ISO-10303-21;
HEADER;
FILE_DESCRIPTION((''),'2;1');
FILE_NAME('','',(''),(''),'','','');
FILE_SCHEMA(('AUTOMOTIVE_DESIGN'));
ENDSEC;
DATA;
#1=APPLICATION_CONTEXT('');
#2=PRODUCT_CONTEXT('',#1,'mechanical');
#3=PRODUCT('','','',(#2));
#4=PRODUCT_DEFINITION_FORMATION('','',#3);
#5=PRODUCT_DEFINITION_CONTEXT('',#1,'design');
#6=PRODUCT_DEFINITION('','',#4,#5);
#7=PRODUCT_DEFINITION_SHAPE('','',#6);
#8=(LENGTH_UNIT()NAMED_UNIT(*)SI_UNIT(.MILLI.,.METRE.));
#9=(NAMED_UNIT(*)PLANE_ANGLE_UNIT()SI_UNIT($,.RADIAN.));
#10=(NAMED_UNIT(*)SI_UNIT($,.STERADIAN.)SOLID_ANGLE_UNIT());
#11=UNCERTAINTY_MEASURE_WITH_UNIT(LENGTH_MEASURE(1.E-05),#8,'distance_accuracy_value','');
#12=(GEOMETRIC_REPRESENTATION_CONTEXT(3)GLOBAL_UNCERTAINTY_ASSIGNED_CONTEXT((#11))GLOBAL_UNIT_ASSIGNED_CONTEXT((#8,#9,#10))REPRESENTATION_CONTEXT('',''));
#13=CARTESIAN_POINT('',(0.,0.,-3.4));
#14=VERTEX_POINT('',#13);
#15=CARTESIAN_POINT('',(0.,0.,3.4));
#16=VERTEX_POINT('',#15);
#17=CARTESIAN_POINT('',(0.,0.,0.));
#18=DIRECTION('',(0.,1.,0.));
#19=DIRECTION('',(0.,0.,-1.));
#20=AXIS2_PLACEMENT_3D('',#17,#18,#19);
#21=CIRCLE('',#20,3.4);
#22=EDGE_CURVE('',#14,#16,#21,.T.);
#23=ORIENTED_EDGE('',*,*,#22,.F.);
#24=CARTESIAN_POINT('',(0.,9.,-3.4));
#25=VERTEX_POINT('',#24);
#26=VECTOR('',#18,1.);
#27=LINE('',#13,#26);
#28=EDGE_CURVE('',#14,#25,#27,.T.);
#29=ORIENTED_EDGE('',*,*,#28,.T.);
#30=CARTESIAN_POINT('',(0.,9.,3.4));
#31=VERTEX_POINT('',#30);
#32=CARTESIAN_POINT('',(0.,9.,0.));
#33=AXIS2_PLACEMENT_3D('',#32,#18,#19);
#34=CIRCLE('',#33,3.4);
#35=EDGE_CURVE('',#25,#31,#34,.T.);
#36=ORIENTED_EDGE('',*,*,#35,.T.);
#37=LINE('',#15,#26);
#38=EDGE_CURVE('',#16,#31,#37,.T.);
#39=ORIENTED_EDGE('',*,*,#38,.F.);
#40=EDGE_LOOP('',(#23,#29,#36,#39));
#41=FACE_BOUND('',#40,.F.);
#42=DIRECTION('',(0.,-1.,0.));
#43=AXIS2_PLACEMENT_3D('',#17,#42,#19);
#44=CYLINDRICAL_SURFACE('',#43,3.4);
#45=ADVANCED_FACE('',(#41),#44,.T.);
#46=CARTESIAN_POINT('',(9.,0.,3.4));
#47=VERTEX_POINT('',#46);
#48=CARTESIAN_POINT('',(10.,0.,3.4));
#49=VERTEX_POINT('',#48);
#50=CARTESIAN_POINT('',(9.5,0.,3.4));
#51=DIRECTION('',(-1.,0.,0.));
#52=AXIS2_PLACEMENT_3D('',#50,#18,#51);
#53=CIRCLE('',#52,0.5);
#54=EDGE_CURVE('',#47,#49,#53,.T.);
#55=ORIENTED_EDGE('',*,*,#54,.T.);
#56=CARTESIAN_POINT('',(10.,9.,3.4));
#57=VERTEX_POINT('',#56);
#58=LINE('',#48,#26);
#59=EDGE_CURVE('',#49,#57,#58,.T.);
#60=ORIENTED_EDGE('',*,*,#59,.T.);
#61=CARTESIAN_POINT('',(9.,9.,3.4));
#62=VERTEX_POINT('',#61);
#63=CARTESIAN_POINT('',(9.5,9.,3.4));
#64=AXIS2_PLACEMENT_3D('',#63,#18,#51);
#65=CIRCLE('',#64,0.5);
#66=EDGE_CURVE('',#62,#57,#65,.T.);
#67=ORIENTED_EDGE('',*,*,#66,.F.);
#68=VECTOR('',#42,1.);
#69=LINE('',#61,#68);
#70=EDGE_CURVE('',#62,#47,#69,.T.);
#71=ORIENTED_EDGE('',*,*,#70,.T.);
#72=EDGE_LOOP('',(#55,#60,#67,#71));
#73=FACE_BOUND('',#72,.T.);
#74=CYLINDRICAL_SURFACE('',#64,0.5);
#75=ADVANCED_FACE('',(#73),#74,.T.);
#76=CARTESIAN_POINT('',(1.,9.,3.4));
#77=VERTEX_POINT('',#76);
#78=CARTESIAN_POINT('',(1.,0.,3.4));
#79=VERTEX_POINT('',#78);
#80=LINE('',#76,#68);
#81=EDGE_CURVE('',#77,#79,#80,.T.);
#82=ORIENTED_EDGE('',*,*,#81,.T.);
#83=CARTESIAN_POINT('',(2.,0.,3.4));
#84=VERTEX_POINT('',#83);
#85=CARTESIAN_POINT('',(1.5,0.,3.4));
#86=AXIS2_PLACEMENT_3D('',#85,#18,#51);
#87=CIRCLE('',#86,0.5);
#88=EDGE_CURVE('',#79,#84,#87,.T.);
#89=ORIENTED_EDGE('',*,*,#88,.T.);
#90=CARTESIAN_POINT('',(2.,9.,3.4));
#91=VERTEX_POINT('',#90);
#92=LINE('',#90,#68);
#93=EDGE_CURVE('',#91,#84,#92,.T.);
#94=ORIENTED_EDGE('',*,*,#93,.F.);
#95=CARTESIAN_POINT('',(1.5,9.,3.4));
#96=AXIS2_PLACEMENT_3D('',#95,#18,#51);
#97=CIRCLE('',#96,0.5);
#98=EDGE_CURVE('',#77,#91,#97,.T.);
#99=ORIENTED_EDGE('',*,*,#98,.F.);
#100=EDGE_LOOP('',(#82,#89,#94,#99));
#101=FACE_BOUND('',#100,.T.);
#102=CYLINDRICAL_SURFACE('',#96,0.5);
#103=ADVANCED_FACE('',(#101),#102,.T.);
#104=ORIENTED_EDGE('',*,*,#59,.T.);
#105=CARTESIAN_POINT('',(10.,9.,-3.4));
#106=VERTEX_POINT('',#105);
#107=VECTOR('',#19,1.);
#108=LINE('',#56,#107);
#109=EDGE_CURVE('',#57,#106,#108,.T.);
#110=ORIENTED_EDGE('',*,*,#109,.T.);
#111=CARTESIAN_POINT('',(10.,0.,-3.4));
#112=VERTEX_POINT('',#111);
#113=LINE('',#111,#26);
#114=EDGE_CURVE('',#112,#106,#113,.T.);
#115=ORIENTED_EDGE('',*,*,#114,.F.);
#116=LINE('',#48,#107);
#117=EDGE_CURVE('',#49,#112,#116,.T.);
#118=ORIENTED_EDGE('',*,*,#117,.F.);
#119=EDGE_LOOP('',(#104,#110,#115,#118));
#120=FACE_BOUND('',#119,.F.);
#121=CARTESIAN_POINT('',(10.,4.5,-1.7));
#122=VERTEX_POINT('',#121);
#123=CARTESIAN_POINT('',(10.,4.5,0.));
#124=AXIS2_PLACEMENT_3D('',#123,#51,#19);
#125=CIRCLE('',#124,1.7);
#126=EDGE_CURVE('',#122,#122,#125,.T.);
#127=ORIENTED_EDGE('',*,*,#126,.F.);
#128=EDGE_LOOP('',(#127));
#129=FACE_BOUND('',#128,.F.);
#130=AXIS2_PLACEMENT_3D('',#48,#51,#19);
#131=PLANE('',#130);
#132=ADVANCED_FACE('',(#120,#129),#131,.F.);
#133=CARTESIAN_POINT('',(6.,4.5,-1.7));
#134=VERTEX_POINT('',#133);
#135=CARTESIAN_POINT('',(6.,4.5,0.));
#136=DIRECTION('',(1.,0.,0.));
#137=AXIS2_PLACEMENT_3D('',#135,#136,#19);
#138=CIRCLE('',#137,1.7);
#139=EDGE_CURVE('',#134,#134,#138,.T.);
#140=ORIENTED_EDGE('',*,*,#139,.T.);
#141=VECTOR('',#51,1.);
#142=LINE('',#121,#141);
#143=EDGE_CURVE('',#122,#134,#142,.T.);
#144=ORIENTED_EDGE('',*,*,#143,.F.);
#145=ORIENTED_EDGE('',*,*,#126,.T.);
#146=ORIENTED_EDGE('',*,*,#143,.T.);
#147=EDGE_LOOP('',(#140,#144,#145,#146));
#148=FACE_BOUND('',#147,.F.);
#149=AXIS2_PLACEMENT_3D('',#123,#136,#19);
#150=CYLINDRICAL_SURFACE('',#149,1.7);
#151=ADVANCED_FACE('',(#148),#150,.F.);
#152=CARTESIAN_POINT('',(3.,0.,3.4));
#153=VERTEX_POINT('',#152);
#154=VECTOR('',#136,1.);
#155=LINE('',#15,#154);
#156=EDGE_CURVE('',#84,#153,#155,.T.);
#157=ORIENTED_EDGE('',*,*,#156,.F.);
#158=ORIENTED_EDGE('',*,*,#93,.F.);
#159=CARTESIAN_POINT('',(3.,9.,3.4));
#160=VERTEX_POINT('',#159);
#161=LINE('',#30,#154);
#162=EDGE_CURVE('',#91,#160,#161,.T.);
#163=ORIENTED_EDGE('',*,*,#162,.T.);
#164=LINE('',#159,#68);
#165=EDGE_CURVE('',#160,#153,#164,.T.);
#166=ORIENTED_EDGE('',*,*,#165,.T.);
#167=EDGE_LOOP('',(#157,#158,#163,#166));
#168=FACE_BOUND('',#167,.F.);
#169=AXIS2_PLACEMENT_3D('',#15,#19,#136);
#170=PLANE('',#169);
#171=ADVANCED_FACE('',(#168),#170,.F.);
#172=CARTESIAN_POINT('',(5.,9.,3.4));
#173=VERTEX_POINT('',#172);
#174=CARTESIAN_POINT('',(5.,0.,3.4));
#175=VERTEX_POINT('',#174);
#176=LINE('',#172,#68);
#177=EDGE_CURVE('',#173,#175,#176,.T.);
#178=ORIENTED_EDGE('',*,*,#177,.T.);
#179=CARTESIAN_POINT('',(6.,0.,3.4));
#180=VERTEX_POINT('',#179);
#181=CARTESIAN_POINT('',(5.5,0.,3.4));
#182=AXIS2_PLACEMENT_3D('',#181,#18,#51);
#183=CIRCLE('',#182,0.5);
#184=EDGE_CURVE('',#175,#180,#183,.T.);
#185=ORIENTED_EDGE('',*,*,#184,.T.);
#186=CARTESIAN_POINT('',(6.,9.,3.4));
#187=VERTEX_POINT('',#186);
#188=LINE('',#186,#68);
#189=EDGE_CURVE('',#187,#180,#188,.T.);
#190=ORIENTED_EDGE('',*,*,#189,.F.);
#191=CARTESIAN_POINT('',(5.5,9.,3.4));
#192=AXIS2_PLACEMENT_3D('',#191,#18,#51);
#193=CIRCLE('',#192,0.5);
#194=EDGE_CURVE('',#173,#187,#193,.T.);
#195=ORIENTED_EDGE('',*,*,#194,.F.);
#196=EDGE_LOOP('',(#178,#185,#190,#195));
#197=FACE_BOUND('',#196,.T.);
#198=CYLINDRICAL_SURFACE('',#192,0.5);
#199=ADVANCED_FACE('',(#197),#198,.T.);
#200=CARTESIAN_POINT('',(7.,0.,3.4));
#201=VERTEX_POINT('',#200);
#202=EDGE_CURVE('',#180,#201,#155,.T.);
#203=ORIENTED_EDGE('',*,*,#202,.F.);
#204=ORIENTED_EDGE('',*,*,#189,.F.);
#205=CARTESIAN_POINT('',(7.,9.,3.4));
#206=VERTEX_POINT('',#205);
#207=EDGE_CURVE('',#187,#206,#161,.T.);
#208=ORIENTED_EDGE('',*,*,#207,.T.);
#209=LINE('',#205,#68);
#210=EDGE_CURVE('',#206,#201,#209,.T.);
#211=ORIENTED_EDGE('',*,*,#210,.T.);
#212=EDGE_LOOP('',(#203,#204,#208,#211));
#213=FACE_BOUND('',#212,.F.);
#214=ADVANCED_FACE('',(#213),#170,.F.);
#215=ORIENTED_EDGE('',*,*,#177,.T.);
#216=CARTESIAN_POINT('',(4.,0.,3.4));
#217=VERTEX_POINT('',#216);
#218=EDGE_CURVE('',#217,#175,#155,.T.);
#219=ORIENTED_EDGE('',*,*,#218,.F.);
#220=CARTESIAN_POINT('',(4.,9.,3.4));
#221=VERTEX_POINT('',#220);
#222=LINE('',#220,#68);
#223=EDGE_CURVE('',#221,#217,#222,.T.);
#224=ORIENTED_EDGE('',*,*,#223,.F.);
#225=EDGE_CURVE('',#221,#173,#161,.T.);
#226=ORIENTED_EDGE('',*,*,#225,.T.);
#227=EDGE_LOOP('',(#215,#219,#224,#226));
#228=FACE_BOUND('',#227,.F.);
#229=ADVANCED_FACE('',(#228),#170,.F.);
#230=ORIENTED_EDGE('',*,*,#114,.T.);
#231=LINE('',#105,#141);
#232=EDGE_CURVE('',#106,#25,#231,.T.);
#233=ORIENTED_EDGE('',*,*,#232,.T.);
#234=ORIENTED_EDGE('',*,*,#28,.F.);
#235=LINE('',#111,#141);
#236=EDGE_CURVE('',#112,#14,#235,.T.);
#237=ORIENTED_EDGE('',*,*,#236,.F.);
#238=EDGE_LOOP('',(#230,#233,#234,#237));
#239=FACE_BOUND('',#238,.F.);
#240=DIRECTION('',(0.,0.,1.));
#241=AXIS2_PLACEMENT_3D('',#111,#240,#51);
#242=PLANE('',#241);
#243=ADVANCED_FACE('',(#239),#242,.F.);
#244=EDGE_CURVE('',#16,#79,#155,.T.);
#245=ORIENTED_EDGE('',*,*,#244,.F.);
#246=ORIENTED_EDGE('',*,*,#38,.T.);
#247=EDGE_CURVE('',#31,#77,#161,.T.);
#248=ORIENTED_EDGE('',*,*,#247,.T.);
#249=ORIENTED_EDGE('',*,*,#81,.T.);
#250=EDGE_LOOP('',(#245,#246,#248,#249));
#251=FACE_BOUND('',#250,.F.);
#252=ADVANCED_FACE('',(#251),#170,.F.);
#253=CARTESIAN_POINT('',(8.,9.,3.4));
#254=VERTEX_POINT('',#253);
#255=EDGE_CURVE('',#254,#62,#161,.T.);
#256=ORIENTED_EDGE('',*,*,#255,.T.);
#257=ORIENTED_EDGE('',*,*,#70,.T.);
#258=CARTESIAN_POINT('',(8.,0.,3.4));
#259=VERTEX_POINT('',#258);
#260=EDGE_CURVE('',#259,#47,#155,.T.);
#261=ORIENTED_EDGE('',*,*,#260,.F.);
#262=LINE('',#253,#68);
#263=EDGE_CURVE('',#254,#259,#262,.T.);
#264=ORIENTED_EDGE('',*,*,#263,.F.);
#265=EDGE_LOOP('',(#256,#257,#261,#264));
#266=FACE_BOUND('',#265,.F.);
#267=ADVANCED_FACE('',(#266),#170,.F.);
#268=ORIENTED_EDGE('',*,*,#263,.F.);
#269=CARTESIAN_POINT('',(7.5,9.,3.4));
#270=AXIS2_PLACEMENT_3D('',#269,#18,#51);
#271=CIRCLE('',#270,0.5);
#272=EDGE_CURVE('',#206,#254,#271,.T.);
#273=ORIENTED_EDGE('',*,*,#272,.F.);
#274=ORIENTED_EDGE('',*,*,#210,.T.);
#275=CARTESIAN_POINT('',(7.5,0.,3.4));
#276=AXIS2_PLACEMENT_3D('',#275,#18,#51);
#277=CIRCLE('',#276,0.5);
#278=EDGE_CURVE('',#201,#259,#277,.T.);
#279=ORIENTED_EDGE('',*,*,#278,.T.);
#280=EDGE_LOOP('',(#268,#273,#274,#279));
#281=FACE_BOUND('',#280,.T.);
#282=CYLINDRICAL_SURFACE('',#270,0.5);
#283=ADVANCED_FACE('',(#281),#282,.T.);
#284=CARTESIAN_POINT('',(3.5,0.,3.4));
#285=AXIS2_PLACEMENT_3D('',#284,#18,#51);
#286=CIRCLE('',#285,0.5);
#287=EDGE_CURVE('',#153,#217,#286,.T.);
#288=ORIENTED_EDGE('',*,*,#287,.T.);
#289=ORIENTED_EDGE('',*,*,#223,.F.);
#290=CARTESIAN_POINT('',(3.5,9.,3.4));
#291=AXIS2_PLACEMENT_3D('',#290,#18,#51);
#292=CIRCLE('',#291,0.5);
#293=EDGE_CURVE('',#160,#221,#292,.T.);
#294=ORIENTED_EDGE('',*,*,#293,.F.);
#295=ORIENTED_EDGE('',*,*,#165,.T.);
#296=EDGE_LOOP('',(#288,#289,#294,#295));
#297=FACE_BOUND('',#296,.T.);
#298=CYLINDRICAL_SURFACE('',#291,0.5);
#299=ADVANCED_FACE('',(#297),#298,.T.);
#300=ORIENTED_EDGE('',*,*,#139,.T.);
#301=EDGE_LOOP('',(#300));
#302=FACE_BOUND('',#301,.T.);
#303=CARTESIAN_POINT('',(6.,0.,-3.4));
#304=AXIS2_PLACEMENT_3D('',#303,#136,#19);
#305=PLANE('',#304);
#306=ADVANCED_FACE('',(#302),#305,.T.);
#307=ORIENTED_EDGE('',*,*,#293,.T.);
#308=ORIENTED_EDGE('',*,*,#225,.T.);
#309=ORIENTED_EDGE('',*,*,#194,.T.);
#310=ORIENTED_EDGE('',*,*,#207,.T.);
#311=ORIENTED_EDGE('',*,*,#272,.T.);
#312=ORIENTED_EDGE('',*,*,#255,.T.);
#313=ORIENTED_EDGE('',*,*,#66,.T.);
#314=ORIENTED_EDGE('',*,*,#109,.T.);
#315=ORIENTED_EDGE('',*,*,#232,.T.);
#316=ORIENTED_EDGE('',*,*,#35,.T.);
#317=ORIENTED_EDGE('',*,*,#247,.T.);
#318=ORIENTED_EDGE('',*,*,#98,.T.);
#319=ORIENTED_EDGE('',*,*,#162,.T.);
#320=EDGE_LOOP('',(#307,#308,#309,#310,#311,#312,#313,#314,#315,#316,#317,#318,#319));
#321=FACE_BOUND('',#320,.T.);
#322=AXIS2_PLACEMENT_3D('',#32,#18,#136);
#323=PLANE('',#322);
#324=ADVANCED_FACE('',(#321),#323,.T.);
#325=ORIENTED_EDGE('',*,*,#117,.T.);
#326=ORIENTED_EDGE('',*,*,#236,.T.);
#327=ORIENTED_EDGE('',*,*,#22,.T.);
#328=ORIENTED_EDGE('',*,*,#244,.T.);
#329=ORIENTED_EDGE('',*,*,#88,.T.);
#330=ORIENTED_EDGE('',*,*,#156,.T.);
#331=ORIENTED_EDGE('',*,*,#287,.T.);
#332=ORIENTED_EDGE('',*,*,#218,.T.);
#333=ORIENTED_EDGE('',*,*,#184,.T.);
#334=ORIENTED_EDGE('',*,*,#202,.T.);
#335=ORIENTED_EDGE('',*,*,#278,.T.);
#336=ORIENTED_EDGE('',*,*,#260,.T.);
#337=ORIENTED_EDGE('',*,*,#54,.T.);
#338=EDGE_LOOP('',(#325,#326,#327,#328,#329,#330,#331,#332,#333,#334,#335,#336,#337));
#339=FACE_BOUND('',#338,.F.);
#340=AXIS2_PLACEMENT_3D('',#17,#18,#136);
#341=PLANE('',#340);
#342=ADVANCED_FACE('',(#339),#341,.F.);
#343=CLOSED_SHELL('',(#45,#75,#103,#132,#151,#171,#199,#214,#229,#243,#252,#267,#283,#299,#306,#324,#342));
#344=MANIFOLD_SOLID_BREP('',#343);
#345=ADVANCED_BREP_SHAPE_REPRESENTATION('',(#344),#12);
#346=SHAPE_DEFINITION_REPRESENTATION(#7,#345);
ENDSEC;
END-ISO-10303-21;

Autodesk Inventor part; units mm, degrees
ref_plane "YZ Plane" through (0, 0, 0) normal (1, 0, 0) x (0, 1, 0)
ref_plane "XZ Plane" through (0, 0, 0) normal (0, 1, 0) x (-1, 0, 0)
ref_plane "XY Plane" through (0, 0, 0) normal (0, 0, 1) x (1, 0, 0)
sketch "Sketch1" plane through (0, 0, 0) normal (0, 1, 0) x (-1, 0, 0)
  arc A0 (0, -3.4) -> (0, 3.4) centre (0, 0) ccw
  line L0 (0, 3.4) -> (-10, 3.4)
  line L1 (-10, 3.4) -> (-10, -3.4)
  line L2 (-10, -3.4) -> (0, -3.4)
  line L3 (0, 3.4) -> (0, -3.4)
  dimension "d0" = 10
  dimension "d1" = 6.8
extrude "Extrusion1" add sketch "Sketch1" along normal blind 9
sketch "Sketch2" plane through (0, 9, 0) normal (0, 1, 0) x (1, 0, 0)
  line L0 (9, -3.4) -> (10, -3.4)
  arc A0 (9, -3.4) -> (10, -3.4) centre (9.5, -3.4) ccw
  point P0 (0, 0)
  dimension "d4" = 1
extrude "Extrusion2" add sketch "Sketch2" against normal blind 9
pattern_linear "Rectangular Pattern1" count 5 spacing 2 along (-1, 0, 0) of "Extrusion2"
sketch "Sketch3" plane through (10, 0, -3.4) normal (1, 0, 0) x (0, 0, -1)
  line L0 (-3.4, 0) -> (-3.4, 9)
  line L1 (0, 9) -> (-6.8, 9) projected
  circle A0 centre (-3.4, 4.5) radius 1.7
  dimension "d10" = 3.4
extrude "Extrusion3" cut sketch "Sketch3" against normal blind 4
properties part number "XY_Tensioner" material "ABS Plastic"
